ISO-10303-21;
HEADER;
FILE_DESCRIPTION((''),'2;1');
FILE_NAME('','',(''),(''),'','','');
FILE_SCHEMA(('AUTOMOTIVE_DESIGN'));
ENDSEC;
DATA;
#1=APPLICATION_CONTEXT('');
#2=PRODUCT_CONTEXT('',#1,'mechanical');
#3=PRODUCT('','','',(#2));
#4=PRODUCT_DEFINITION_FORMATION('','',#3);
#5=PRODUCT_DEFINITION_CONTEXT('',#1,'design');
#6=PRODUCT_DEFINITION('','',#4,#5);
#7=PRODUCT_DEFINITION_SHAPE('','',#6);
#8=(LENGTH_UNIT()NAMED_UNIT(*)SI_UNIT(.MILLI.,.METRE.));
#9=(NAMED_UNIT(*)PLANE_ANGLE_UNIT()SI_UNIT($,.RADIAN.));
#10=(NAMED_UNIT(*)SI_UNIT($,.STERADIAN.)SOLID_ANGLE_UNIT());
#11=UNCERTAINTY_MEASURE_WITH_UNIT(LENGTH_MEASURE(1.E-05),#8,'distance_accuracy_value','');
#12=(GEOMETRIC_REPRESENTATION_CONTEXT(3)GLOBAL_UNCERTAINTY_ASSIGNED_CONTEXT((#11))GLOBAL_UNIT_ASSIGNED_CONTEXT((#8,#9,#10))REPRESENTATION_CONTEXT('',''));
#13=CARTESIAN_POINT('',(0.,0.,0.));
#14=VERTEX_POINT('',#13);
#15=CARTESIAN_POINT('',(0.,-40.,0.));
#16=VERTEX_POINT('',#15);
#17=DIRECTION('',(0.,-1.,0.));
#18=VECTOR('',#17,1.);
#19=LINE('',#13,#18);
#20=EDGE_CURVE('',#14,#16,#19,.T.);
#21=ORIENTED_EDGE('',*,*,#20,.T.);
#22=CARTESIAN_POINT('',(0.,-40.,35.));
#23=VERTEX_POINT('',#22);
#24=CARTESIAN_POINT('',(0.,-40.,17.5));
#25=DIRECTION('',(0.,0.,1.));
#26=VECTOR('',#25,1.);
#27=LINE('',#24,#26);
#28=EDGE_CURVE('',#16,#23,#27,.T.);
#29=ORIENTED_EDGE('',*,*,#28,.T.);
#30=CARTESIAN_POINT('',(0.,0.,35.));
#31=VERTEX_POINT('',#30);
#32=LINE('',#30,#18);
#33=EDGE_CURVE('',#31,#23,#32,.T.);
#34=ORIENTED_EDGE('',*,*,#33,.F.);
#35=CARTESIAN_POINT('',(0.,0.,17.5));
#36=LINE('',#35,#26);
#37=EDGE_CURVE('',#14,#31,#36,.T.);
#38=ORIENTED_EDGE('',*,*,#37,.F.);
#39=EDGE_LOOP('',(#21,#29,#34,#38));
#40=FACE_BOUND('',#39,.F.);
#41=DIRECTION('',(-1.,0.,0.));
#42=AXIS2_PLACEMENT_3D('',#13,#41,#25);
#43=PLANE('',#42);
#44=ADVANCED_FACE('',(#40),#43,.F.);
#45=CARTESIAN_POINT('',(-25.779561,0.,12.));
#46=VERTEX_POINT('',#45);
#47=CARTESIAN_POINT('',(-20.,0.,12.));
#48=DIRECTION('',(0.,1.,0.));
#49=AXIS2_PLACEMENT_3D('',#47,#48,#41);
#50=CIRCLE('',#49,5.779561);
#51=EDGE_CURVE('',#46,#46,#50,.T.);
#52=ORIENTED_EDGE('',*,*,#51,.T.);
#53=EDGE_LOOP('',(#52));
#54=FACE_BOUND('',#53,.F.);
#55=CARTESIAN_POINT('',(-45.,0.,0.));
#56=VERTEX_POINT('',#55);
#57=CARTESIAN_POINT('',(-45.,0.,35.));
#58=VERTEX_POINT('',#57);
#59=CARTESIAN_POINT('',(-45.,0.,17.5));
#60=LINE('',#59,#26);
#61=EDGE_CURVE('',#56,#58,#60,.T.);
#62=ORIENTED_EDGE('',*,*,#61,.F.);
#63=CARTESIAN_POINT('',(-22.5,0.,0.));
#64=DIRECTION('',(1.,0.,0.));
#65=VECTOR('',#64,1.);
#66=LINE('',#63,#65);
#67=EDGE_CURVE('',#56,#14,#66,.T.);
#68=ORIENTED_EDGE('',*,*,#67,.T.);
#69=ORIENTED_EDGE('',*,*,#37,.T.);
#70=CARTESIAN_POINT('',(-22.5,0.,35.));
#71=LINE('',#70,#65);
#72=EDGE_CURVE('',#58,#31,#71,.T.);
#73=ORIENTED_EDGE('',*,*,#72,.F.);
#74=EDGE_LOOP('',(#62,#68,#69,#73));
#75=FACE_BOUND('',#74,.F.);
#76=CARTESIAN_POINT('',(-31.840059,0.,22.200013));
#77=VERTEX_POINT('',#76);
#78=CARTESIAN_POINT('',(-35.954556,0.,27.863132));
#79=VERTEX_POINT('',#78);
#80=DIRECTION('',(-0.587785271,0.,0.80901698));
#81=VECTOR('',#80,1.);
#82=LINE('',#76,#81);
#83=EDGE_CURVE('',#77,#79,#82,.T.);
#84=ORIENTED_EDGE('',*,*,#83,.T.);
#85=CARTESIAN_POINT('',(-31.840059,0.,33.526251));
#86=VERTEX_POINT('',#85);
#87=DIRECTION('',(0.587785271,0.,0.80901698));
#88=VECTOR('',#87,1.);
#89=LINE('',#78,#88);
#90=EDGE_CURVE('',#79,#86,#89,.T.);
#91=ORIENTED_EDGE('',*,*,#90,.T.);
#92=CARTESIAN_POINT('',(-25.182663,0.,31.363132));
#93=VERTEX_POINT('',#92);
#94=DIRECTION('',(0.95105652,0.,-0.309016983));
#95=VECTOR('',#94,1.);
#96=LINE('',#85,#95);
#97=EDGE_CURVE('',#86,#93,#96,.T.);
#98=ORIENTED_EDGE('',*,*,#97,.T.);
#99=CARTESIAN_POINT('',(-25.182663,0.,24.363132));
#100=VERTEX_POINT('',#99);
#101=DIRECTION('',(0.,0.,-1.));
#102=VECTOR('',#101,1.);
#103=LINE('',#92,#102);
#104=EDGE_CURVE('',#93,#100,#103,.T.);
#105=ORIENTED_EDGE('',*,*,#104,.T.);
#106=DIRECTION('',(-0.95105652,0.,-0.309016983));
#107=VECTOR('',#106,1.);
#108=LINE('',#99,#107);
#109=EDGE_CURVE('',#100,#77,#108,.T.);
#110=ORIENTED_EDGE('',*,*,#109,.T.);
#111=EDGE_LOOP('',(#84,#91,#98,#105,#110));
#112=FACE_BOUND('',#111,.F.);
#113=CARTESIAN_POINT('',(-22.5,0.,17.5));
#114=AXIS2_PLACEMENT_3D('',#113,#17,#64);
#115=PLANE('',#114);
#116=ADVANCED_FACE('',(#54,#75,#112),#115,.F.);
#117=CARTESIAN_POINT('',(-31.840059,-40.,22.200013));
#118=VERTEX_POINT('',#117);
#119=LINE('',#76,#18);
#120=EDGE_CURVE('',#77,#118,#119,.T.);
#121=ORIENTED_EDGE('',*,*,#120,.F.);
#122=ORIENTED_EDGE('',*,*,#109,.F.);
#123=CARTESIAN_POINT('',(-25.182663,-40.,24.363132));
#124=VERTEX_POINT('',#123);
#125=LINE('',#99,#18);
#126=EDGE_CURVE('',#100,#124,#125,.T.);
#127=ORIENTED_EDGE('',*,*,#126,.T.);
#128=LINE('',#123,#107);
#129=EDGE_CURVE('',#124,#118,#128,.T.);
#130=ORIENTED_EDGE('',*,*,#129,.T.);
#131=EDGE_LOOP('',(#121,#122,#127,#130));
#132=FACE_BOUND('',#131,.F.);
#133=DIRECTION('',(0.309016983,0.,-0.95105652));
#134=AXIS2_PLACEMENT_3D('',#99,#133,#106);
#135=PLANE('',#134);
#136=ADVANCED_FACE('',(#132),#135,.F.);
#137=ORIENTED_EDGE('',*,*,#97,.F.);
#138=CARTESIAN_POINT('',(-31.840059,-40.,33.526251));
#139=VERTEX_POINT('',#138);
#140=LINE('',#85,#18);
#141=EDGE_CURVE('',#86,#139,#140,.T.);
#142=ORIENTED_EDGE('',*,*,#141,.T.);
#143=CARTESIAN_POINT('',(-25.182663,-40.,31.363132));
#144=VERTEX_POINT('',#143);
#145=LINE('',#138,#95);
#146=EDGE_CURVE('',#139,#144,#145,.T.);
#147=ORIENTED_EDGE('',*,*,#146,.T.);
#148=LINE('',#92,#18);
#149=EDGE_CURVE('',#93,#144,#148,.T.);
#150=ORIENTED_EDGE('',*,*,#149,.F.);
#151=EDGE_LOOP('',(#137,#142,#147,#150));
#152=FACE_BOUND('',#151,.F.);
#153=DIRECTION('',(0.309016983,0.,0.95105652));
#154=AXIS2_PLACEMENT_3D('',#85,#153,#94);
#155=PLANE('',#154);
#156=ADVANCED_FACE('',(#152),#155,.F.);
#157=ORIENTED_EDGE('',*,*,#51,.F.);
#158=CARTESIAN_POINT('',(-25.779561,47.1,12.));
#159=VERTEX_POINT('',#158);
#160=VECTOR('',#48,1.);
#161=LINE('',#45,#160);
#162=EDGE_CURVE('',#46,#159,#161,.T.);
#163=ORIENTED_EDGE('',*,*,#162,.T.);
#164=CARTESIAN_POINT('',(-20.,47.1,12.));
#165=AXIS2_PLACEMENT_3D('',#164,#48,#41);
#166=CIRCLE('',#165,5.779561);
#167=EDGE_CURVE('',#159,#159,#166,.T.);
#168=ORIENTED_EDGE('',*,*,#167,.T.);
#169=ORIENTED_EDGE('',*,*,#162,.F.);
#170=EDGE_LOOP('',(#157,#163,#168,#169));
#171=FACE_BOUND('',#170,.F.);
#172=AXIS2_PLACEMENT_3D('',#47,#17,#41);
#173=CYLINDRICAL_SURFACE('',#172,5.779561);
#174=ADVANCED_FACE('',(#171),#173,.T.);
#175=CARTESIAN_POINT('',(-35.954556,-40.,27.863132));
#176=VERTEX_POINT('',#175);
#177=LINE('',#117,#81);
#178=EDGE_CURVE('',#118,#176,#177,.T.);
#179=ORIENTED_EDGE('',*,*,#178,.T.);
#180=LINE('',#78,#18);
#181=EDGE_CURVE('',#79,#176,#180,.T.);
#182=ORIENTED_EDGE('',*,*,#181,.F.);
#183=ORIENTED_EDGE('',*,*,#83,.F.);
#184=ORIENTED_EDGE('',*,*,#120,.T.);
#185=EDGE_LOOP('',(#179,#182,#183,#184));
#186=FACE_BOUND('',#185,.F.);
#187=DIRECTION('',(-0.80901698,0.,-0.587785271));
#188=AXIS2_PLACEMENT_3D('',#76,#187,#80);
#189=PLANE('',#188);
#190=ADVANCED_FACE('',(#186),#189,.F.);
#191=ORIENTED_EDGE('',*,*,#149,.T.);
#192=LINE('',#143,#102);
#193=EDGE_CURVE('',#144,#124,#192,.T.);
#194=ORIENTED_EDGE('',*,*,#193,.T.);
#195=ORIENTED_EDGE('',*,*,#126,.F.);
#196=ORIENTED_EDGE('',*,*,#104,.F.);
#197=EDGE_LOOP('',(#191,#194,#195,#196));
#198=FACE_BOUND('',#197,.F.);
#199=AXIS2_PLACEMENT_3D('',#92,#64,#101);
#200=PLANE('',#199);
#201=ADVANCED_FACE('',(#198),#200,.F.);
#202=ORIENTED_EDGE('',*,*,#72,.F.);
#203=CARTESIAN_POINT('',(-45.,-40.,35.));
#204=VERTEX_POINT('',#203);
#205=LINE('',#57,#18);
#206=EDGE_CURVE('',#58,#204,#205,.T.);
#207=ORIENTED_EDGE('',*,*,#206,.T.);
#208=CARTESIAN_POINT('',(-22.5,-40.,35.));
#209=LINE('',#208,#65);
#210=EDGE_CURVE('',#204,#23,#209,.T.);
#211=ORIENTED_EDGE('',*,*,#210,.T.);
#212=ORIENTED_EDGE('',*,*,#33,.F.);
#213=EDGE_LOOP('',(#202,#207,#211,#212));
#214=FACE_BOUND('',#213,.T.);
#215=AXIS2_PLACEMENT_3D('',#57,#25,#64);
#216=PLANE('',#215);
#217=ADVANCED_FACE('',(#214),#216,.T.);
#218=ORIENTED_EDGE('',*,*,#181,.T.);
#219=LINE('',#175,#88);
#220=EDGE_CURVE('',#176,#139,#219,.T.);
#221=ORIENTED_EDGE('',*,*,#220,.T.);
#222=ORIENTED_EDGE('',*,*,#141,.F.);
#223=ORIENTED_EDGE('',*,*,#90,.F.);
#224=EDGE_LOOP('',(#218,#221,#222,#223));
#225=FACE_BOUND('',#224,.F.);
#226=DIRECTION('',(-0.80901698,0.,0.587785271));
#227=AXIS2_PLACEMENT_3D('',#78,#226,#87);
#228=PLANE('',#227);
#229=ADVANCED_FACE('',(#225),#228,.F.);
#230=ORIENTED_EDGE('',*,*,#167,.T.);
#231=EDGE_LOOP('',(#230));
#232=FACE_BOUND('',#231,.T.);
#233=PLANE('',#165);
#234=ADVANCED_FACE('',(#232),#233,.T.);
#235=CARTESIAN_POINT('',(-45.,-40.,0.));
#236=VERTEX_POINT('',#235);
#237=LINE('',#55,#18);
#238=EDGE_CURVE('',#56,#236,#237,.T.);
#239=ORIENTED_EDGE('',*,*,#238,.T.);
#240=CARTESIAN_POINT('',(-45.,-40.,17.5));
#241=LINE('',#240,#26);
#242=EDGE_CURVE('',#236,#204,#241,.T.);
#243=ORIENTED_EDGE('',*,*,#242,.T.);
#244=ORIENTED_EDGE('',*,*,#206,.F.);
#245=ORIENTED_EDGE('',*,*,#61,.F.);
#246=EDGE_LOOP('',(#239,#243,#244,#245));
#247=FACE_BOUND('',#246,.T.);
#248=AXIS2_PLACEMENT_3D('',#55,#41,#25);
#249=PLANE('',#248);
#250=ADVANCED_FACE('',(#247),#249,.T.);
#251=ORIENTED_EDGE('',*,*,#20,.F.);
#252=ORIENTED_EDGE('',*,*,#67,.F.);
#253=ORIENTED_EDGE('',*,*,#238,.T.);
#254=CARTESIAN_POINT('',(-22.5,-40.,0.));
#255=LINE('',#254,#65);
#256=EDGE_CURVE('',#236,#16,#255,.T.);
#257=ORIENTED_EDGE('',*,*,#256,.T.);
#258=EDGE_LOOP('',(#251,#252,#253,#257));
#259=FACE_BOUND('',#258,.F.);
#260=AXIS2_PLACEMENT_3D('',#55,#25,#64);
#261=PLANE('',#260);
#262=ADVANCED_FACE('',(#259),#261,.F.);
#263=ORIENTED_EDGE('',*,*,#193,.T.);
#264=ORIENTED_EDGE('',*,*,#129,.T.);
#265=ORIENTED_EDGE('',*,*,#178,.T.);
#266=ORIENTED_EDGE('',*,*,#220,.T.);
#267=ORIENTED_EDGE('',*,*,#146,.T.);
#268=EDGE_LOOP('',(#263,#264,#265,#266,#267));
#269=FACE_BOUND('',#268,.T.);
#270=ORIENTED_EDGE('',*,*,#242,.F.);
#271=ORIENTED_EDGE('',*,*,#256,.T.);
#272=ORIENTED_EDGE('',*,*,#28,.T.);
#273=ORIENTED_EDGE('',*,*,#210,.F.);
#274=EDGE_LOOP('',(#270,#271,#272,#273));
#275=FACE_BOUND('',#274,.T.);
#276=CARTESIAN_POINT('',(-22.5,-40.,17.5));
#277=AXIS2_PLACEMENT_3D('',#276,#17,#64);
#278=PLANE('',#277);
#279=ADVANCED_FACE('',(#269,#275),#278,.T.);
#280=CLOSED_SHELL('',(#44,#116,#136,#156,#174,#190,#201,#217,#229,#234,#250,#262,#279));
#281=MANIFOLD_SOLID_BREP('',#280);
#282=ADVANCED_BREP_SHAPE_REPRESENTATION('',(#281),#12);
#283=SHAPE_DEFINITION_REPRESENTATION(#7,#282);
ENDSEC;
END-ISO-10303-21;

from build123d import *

# Parameters (mm, degrees)
F0_W     = 45
F0_H     = 35
F1_DEPTH = 40
F2_R     = 5.779561
F3_DEPTH = 47.1


with BuildPart() as f1:
    # F0 (on Front) → F1 (new body)
    with BuildSketch(Plane.XZ):
        with Locations((-22.5, 17.5)):
            Rectangle(F0_W, F0_H)
        Polygon((-31.840059, 33.526251), (-25.182663, 31.363132), (-25.182663, 24.363132), (-31.840059, 22.200013), (-35.954556, 27.863132), align=None, mode=Mode.SUBTRACT)
    extrude(amount=F1_DEPTH)

    # F2 (on face) → F3 (join)
    with BuildSketch(Plane(origin=(0, 0, 0), x_dir=(-1, 0, 0), z_dir=(0, 1, 0))):
        with Locations((20, 12)):
            Circle(F2_R)
    extrude(amount=F3_DEPTH)


solid = f1.part
